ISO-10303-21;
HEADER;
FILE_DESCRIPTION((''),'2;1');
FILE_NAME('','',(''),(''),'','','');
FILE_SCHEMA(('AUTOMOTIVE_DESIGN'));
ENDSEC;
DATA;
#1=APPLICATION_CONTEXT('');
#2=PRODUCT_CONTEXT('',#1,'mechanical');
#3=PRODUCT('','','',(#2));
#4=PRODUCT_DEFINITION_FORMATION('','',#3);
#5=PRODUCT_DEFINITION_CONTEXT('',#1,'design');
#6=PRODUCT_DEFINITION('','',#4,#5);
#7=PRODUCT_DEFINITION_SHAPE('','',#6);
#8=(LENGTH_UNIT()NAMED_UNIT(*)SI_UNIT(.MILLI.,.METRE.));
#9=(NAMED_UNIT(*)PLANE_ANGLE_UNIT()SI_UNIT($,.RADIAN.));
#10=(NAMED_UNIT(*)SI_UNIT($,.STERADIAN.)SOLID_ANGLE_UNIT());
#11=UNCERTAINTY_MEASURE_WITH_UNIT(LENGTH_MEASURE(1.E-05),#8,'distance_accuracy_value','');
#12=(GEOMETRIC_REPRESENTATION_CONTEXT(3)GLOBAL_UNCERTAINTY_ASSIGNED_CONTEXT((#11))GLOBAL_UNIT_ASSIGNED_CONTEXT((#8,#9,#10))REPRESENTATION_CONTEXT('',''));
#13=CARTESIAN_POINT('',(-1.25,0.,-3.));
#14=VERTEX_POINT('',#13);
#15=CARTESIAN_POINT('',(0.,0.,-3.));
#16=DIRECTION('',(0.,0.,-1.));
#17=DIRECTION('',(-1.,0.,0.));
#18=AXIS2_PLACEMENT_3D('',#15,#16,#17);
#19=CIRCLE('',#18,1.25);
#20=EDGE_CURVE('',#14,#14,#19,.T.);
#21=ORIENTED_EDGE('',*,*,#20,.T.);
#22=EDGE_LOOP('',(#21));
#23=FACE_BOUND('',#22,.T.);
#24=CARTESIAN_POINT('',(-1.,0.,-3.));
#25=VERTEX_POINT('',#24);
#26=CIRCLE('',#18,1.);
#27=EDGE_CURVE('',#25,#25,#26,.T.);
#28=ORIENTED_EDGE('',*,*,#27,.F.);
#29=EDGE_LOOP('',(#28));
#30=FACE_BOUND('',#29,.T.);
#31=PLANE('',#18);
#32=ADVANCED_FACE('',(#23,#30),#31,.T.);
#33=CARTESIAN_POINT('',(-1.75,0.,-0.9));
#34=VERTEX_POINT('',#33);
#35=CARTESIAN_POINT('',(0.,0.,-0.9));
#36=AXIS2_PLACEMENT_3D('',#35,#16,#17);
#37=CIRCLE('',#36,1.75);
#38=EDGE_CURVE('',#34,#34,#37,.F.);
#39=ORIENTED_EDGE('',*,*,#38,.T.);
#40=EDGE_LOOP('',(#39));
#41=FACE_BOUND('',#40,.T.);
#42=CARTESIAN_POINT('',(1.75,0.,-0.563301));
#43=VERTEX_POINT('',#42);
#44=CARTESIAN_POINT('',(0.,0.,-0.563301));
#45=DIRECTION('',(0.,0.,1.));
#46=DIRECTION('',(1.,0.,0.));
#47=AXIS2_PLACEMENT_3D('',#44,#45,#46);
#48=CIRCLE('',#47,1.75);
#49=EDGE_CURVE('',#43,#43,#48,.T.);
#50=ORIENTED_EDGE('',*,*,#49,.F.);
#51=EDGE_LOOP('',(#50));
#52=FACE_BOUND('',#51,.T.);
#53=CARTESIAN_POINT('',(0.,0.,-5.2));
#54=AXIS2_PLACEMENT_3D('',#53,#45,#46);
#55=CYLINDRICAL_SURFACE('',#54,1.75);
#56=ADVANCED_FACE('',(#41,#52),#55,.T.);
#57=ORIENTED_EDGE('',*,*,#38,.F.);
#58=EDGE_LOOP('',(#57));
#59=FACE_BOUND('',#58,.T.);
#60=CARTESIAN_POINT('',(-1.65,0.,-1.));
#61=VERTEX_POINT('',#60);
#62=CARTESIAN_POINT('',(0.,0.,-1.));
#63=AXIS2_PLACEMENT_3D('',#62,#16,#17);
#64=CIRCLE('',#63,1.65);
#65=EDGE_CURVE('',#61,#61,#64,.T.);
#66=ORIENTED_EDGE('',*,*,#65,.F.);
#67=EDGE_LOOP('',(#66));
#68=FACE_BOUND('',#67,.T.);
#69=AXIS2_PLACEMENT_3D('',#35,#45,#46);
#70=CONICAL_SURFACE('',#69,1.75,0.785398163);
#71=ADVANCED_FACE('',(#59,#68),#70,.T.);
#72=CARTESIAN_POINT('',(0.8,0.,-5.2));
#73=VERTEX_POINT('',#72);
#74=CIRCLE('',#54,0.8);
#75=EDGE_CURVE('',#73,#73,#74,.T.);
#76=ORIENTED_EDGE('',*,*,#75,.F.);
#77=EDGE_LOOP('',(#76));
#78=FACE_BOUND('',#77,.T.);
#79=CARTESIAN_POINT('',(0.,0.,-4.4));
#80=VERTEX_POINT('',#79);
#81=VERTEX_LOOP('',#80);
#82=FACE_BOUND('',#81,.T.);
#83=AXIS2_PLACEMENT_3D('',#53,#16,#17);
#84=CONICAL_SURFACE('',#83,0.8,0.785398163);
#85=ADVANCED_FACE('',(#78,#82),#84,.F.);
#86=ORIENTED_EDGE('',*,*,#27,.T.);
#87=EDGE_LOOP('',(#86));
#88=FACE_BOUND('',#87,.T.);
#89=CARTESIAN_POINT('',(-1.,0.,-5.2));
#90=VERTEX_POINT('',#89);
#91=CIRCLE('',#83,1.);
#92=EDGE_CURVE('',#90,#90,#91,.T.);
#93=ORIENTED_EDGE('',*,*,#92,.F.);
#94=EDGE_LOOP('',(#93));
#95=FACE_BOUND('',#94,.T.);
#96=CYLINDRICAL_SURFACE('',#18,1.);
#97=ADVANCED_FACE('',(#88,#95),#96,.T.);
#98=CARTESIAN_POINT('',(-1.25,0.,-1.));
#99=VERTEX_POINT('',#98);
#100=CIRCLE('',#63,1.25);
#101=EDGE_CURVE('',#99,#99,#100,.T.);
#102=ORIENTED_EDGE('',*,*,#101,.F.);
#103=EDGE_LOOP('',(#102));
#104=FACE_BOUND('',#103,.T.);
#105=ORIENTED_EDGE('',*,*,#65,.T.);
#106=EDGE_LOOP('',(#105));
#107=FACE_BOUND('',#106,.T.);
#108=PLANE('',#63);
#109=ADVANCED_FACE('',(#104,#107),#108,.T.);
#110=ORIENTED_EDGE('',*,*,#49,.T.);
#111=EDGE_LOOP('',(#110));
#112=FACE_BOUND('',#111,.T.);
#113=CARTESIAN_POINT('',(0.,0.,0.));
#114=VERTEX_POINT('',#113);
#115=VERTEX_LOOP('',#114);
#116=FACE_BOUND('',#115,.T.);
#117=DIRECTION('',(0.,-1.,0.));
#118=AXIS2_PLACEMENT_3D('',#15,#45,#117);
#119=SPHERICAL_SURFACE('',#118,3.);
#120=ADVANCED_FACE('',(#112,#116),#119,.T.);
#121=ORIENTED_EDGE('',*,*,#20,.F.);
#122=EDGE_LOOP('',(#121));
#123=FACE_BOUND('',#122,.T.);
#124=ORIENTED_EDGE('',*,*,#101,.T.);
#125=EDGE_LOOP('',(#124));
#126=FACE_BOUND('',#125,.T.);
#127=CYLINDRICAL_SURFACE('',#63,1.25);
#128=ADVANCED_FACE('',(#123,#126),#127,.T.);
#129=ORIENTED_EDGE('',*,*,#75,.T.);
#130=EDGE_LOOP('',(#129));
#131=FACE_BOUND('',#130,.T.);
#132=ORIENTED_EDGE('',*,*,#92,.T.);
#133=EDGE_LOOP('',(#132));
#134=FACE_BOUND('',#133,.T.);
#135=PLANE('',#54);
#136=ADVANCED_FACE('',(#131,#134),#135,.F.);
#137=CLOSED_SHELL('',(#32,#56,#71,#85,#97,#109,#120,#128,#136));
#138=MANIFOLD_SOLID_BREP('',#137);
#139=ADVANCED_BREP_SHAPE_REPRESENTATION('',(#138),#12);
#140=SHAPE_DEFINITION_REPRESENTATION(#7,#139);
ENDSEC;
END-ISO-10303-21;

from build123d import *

# Parameters (mm, degrees)
SKETCH2_R           = 1.75
BOSS_EXTRUDE1_DEPTH = 5.2
SKETCH4_OUTSIDE_W   = 6.936
SKETCH4_OUTSIDE_H   = 6.936
SKETCH4_OUTSIDE_R   = 1
CUT_EXTRUDE1_DEPTH  = 2.2
SKETCH5_OUTSIDE_W   = 6.936
SKETCH5_OUTSIDE_H   = 6.936
SKETCH5_OUTSIDE_R   = 1.25
CUT_EXTRUDE2_DEPTH  = 2
CHAMFER1_SIZE       = 0.1


with BuildPart() as part:
    # Sketch2 → Boss-Extrude1 (new body)
    with BuildSketch(Plane.XY):
        Circle(SKETCH2_R)
    extrude(amount=-BOSS_EXTRUDE1_DEPTH)

    # Sketch3 → Cut-Revolve1 (revolve, cut)
    with BuildSketch(Plane(origin=(0, 0, 0), x_dir=(0, 0, -1), z_dir=(1, 0, 0))):
        with BuildLine():
            Line((0, 0), (-0.5, 0))
            Line((-0.5, 0), (-0.5, 1.75))
            Line((-0.5, 1.75), (0.563301414, 1.75))
            ThreePointArc((0.563301414, 1.75), (0.144295555, 0.919212772), (0, 0))
        make_face()
    revolve(axis=Axis((0, 0, 0), (0, 0, -1)), mode=Mode.SUBTRACT)

    # Sketch4 outside → Cut-Extrude1 (cut)
    with BuildSketch(Plane(origin=(0, 0, -5.2), x_dir=(-1, 0, 0), z_dir=(0, 0, -1))):
        Rectangle(SKETCH4_OUTSIDE_W, SKETCH4_OUTSIDE_H)
        Circle(SKETCH4_OUTSIDE_R, mode=Mode.SUBTRACT)
    extrude(amount=-CUT_EXTRUDE1_DEPTH, mode=Mode.SUBTRACT)

    # Sketch5 outside → Cut-Extrude2 (cut)
    with BuildSketch(Plane(origin=(0, 0, -3), x_dir=(-1, 0, 0), z_dir=(0, 0, -1))):
        Rectangle(SKETCH5_OUTSIDE_W, SKETCH5_OUTSIDE_H)
        Circle(SKETCH5_OUTSIDE_R, mode=Mode.SUBTRACT)
    extrude(amount=-CUT_EXTRUDE2_DEPTH, mode=Mode.SUBTRACT)

    # Chamfer1
    chamfer1_edges = [part.edges().sort_by_distance(p)[0] for p in [
        (-1.75, 0, -1),
    ]]
    chamfer(chamfer1_edges, length=CHAMFER1_SIZE)

    # Sketch6 → Cut-Revolve2 (revolve, cut)
    with BuildSketch(Plane(origin=(0, 0, 0), x_dir=(0, 0, -1), z_dir=(1, 0, 0))):
        Polygon((5.2, 0.8), (4.4, 0), (5.2, 0), align=None)
    revolve(axis=Axis((0, 0, 0), (0, 0, -1)), mode=Mode.SUBTRACT)


solid = part.part
